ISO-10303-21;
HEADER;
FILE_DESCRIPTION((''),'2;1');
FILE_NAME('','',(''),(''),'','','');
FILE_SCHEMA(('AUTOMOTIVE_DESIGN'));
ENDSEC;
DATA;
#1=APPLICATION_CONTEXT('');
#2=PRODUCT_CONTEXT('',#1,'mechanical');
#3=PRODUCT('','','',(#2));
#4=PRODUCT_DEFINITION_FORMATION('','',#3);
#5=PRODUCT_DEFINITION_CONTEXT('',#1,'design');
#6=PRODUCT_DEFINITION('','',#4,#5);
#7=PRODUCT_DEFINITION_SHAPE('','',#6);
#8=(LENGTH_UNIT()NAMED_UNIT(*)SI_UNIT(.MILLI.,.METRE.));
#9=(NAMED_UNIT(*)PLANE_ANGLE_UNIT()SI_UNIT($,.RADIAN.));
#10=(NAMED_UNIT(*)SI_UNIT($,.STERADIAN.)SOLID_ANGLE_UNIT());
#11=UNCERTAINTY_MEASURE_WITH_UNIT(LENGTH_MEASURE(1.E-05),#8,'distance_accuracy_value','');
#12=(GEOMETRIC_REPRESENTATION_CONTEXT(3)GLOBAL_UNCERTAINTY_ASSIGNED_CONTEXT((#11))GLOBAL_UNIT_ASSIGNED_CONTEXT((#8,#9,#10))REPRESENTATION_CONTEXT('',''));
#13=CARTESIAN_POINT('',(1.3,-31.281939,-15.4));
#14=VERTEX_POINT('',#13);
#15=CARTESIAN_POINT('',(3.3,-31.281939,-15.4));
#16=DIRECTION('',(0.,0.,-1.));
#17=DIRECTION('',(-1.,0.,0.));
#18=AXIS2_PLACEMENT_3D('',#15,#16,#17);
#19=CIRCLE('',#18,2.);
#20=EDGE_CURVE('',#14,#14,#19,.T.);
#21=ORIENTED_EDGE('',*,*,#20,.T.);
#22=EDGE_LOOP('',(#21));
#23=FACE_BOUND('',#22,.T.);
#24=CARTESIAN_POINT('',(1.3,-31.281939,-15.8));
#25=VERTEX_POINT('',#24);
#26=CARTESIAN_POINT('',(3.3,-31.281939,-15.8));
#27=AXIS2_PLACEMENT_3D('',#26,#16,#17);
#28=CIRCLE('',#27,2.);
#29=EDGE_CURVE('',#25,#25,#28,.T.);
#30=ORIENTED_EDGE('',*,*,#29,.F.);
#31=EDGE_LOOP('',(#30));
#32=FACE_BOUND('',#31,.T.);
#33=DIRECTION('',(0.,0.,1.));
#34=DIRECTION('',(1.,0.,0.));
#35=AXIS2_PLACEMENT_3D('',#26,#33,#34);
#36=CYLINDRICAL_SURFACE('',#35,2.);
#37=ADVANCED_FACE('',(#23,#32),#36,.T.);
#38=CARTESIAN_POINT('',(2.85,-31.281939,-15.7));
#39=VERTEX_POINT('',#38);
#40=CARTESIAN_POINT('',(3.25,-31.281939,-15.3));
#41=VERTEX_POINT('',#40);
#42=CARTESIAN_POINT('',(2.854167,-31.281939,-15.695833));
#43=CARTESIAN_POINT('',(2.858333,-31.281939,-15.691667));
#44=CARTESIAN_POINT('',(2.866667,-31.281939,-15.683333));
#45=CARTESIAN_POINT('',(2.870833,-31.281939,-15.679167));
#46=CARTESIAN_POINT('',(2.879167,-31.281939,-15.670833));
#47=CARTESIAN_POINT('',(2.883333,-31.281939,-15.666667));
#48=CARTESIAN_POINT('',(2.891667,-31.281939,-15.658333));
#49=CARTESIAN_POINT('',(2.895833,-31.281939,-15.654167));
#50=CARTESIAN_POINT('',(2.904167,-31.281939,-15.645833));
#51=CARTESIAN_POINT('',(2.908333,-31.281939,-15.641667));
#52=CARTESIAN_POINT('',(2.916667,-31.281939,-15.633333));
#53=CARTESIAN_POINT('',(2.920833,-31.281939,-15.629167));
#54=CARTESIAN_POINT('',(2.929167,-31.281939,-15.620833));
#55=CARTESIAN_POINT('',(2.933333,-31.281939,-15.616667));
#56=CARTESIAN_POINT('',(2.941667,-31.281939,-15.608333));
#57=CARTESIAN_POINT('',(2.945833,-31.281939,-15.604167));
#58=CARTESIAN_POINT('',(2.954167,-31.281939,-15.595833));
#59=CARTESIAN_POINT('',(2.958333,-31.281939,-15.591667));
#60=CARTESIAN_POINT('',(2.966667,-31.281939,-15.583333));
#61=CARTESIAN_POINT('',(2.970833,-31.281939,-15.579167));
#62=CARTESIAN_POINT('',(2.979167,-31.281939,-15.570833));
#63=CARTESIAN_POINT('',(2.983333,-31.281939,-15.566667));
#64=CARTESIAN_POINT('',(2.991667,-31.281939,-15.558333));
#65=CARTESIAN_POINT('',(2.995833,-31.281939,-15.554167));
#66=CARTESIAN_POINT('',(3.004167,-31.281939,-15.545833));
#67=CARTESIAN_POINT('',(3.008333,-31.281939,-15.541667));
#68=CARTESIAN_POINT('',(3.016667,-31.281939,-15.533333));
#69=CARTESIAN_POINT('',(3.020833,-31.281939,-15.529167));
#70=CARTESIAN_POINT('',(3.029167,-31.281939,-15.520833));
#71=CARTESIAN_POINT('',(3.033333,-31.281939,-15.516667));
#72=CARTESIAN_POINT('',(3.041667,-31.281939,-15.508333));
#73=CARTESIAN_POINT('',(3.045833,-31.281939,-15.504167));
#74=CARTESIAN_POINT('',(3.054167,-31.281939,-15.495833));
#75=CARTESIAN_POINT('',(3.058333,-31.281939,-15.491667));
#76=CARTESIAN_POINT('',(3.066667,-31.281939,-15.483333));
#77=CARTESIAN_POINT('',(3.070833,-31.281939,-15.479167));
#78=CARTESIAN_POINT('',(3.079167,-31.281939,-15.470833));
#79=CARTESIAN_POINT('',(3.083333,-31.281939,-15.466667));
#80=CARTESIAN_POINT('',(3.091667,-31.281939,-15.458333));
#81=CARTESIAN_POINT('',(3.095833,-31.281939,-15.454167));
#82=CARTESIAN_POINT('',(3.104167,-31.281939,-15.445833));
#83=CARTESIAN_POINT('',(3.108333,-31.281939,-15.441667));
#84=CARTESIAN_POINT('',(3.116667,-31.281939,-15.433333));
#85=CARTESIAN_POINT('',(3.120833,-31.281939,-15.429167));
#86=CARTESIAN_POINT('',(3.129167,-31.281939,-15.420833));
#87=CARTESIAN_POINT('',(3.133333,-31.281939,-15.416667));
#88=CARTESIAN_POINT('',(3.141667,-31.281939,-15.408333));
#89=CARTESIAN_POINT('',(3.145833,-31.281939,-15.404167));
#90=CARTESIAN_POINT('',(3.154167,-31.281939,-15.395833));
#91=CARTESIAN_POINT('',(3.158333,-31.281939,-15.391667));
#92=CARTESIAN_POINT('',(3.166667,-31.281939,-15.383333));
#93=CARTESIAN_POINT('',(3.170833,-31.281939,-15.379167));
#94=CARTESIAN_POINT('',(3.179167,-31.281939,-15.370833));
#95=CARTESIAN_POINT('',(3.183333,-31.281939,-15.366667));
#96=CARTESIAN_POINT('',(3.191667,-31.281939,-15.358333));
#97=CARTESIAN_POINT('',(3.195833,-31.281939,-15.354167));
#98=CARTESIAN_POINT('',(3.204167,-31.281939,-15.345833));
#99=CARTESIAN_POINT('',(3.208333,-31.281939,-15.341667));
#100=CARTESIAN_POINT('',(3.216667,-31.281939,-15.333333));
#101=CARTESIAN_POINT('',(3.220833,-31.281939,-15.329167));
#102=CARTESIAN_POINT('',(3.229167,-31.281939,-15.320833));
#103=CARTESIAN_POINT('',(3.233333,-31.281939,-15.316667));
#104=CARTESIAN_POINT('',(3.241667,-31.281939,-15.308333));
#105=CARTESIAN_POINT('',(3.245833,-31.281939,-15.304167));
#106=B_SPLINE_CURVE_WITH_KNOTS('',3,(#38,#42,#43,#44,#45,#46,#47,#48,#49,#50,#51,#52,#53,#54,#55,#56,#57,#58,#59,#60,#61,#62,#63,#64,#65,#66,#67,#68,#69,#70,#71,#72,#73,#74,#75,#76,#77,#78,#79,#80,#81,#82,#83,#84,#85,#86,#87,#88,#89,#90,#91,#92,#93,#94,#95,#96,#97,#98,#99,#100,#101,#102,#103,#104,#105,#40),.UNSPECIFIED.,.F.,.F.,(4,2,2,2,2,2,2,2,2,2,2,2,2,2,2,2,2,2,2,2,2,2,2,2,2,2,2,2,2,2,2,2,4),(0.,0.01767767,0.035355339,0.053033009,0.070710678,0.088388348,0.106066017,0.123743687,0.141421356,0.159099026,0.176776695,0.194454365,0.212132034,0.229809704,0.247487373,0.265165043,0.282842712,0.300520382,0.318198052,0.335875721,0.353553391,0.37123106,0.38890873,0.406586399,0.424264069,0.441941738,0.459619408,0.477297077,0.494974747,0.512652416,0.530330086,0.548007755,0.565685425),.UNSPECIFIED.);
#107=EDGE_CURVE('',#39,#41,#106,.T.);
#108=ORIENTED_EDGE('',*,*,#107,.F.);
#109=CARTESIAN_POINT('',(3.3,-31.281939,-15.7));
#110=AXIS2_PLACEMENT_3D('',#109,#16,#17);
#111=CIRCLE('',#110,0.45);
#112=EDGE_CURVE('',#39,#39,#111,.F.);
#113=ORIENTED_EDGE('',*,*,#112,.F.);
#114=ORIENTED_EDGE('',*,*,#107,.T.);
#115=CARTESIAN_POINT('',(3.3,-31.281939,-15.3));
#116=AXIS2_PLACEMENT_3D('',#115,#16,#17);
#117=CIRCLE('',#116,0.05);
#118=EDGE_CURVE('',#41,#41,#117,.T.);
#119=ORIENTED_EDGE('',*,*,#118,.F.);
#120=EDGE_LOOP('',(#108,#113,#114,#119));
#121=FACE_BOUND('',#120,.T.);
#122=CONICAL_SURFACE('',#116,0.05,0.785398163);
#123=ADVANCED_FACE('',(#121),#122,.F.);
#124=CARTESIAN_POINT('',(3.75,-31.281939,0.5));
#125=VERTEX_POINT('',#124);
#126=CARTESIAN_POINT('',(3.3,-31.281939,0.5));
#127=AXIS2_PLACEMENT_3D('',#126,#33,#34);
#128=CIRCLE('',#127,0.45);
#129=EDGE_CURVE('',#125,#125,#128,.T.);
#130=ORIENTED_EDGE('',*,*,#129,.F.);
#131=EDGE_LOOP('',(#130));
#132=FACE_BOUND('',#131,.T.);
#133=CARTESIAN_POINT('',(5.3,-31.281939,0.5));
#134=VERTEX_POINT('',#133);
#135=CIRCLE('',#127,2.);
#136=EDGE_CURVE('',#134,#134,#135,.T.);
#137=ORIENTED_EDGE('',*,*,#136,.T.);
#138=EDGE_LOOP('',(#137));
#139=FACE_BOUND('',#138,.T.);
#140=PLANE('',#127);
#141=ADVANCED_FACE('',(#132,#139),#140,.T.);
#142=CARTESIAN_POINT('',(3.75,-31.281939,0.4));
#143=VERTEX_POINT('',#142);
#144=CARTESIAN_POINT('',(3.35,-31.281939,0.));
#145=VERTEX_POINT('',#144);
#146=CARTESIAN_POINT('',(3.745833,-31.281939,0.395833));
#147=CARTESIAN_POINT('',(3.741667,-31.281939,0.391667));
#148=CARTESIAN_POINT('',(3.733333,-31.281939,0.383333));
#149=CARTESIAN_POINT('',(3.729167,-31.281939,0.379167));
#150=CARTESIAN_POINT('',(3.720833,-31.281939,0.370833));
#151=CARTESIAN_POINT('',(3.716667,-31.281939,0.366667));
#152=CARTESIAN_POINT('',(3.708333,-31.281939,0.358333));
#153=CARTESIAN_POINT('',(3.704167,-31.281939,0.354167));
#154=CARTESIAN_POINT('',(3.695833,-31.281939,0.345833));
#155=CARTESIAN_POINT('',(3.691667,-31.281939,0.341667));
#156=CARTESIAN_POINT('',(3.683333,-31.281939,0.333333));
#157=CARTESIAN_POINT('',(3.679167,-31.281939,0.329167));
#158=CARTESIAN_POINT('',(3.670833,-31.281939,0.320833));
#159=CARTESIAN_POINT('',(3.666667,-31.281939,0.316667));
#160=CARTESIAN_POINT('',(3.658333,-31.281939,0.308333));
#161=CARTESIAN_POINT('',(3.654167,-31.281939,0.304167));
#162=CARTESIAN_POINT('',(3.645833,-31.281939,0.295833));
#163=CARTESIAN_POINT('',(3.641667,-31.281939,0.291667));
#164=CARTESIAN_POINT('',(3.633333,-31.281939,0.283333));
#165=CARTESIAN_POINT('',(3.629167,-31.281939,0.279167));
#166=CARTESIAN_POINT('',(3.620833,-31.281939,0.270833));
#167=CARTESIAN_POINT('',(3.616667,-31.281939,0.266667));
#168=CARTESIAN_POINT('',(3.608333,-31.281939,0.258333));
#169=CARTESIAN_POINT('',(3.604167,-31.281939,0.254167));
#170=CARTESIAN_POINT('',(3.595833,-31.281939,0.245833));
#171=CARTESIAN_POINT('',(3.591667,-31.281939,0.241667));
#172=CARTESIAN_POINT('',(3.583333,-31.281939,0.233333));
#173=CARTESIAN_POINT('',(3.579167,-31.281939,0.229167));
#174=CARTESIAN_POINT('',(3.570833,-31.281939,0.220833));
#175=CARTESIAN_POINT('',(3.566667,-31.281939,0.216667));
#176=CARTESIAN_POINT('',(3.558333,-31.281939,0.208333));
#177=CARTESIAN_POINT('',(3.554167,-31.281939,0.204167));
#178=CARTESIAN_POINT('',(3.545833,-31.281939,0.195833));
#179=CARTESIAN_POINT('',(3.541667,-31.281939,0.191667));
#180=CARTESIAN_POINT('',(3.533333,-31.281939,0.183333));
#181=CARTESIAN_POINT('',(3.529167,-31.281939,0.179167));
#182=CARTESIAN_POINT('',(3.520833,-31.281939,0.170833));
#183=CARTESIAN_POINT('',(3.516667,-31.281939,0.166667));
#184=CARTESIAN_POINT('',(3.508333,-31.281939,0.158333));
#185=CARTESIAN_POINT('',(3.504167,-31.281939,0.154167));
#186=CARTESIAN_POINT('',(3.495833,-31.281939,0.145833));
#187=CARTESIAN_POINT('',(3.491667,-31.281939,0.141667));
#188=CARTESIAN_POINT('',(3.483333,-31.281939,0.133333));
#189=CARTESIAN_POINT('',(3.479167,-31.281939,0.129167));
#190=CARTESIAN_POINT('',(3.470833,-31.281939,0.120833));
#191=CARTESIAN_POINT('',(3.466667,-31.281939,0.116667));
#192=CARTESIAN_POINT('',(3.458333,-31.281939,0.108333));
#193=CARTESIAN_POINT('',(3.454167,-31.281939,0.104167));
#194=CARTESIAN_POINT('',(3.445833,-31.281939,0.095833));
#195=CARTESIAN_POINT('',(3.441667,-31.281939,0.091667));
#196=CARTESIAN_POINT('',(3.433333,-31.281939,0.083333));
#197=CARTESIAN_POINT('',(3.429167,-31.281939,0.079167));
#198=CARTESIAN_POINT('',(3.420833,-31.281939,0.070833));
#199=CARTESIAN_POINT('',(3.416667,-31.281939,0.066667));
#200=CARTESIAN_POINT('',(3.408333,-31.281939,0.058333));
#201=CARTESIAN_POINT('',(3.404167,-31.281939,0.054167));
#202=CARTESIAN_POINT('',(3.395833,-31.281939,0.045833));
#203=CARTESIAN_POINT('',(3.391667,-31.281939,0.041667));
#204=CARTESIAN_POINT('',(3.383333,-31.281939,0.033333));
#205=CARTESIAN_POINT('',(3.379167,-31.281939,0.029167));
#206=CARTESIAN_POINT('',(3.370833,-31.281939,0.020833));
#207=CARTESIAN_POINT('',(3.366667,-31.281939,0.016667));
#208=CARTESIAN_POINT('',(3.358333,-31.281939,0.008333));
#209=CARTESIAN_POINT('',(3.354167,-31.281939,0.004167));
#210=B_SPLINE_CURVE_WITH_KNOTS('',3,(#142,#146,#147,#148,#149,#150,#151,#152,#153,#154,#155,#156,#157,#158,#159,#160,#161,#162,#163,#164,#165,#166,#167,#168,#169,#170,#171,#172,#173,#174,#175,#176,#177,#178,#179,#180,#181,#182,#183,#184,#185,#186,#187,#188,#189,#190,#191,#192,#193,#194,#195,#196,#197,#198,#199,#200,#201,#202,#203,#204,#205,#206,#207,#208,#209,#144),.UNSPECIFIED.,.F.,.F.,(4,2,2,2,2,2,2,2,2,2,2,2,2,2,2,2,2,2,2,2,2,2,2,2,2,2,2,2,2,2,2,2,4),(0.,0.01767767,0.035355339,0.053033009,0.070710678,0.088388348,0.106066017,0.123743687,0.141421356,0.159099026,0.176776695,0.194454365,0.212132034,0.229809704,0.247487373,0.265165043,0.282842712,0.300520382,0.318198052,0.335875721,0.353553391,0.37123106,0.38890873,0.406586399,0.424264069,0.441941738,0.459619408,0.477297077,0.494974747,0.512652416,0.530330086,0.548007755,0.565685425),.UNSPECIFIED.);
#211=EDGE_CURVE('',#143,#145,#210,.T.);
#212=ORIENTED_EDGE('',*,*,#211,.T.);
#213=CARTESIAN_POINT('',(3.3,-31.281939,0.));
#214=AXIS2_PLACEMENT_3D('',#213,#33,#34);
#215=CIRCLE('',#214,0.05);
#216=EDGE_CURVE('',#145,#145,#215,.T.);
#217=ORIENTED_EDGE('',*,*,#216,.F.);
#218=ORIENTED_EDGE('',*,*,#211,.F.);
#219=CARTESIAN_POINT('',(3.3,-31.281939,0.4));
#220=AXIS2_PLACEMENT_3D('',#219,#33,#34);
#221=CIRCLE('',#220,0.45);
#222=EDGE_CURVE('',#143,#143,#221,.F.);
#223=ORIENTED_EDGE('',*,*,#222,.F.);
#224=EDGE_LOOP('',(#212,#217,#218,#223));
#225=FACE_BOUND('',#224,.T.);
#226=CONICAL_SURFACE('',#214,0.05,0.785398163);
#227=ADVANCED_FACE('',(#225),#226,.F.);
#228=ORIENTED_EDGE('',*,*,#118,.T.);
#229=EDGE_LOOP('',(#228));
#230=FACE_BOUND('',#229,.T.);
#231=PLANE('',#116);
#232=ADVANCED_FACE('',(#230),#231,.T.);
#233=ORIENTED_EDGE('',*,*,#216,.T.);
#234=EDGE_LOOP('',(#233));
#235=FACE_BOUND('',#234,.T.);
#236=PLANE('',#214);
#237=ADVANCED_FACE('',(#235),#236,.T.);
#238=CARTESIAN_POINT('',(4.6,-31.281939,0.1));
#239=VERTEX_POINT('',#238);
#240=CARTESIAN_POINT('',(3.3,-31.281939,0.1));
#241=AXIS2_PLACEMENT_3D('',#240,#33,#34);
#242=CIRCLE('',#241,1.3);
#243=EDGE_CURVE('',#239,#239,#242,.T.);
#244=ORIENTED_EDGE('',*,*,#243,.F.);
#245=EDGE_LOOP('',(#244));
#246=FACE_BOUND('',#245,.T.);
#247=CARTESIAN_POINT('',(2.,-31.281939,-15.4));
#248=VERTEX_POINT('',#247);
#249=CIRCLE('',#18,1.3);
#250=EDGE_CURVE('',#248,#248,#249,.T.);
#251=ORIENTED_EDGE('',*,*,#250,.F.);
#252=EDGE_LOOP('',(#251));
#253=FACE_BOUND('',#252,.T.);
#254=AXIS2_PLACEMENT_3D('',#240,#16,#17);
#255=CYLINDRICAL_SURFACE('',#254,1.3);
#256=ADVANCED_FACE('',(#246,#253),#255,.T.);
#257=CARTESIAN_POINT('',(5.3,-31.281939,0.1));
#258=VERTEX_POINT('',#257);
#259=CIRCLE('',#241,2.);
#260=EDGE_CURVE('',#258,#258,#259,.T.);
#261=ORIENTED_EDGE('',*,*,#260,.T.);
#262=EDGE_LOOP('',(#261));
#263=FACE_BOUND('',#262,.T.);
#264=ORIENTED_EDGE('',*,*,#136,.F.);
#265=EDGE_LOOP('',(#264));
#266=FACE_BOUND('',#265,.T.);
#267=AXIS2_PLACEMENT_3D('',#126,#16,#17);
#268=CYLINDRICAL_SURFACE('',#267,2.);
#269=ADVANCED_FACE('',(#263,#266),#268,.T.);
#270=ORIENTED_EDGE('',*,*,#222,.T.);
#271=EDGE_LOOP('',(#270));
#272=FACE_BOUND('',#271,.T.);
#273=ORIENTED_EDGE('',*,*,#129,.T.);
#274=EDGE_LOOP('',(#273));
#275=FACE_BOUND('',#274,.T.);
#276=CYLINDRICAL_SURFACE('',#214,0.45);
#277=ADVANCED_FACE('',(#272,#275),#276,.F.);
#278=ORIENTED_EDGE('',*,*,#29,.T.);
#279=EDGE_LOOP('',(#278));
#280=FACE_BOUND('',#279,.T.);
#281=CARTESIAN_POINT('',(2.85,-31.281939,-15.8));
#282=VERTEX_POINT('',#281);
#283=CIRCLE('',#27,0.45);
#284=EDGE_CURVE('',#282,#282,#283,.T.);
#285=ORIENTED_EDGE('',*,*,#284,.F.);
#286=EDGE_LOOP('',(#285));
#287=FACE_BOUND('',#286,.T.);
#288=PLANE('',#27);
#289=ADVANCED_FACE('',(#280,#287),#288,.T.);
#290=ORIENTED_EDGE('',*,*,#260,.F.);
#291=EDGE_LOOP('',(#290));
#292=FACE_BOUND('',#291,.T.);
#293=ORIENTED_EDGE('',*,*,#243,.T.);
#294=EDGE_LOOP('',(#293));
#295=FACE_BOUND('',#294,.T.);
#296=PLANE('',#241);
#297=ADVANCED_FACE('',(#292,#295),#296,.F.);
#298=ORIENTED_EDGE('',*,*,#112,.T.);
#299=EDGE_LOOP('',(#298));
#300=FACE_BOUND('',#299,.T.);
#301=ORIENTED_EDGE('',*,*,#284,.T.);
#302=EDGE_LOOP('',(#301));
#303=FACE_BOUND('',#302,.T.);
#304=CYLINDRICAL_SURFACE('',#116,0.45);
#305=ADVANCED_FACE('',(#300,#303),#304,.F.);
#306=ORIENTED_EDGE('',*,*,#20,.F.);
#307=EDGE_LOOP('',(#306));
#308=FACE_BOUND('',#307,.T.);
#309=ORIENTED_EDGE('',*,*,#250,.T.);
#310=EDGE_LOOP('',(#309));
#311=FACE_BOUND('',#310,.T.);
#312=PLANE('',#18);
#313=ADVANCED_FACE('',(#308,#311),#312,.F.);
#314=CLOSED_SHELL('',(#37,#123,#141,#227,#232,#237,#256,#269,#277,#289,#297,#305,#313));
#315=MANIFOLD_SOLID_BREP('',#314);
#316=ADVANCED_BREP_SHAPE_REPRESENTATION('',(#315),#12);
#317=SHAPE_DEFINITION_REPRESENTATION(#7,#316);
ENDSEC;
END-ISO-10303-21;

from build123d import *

# Parameters (mm, degrees)
Y_KSEKLIK_EKSTR_ZYON1_DEPTH      = 0.1
Y_KSEKLIK_EKSTR_ZYON1_DEPTH_BACK = 15.4
IZIM1_R                          = 1.3
IZIM2_R                          = 2
Y_KSEKLIK_EKSTR_ZYON2_DEPTH      = 0.4
Y_KSEKLIK_EKSTR_ZYON3_START      = 0.4
IZIM3_R                          = 2
Y_KSEKLIK_EKSTR_ZYON3_DEPTH      = 0.4
IZIM4_R                          = 0.45
KES_EKSTR_ZYON1_DEPTH            = 0.5
PAH1_SIZE                        = 0.4
KES_EKSTR_ZYON2_START            = -0.5
IZIM5_R                          = 0.45
KES_EKSTR_ZYON2_DEPTH            = 0.5
PAH2_SIZE                        = 0.4


with BuildPart() as part:
    # Çizim1 → Yükseklik-Ekstrüzyon1 (new, two sides: drawn at the far end of the back side and taken through both)
    with BuildSketch(Plane.XY.offset(-Y_KSEKLIK_EKSTR_ZYON1_DEPTH_BACK)):
        with Locations((3.3, -31.281939442)):
            Circle(IZIM1_R)
    extrude(amount=Y_KSEKLIK_EKSTR_ZYON1_DEPTH + Y_KSEKLIK_EKSTR_ZYON1_DEPTH_BACK)

    # Çizim2 → Yükseklik-Ekstrüzyon2 (add)
    with BuildSketch(Plane.XY.offset(0.1)):
        with Locations((3.3, -31.281939442)):
            Circle(IZIM2_R)
    extrude(amount=Y_KSEKLIK_EKSTR_ZYON2_DEPTH)

    # Çizim3 → Yükseklik-Ekstrüzyon3 (add)
    with BuildSketch(Plane(origin=(0, 0, -15.4), x_dir=(-1, 0, 0), z_dir=(0, 0, -1)).offset(Y_KSEKLIK_EKSTR_ZYON3_START)):
        with Locations(Location((-3.3, -31.281939442, 0), (0, 0, 180))):
            Circle(IZIM3_R)
    extrude(amount=-Y_KSEKLIK_EKSTR_ZYON3_DEPTH)

    # Çizim4 → Kes-Ekstrüzyon1 (cut)
    with BuildSketch(Plane(origin=(0, 0, -15.8), x_dir=(-1, 0, 0), z_dir=(0, 0, -1))):
        with Locations((-3.3, -31.281939442)):
            Circle(IZIM4_R)
    extrude(amount=-KES_EKSTR_ZYON1_DEPTH, mode=Mode.SUBTRACT)

    # Pah1
    pah1_edges = [part.edges().sort_by_distance(p)[0] for p in [
        (3.75, -31.281939442, -15.3),
    ]]
    chamfer(pah1_edges, length=PAH1_SIZE)

    # Çizim5 → Kes-Ekstrüzyon2 (cut)
    with BuildSketch(Plane.XY.offset(0.5).offset(KES_EKSTR_ZYON2_START)):
        with Locations(Location((3.3, -31.281939442, 0), (0, 0, 180))):
            Circle(IZIM5_R)
    extrude(amount=KES_EKSTR_ZYON2_DEPTH, mode=Mode.SUBTRACT)

    # Pah2
    pah2_edges = [part.edges().sort_by_distance(p)[0] for p in [
        (3.75, -31.281939442, 0),
    ]]
    chamfer(pah2_edges, length=PAH2_SIZE)


solid = part.part
